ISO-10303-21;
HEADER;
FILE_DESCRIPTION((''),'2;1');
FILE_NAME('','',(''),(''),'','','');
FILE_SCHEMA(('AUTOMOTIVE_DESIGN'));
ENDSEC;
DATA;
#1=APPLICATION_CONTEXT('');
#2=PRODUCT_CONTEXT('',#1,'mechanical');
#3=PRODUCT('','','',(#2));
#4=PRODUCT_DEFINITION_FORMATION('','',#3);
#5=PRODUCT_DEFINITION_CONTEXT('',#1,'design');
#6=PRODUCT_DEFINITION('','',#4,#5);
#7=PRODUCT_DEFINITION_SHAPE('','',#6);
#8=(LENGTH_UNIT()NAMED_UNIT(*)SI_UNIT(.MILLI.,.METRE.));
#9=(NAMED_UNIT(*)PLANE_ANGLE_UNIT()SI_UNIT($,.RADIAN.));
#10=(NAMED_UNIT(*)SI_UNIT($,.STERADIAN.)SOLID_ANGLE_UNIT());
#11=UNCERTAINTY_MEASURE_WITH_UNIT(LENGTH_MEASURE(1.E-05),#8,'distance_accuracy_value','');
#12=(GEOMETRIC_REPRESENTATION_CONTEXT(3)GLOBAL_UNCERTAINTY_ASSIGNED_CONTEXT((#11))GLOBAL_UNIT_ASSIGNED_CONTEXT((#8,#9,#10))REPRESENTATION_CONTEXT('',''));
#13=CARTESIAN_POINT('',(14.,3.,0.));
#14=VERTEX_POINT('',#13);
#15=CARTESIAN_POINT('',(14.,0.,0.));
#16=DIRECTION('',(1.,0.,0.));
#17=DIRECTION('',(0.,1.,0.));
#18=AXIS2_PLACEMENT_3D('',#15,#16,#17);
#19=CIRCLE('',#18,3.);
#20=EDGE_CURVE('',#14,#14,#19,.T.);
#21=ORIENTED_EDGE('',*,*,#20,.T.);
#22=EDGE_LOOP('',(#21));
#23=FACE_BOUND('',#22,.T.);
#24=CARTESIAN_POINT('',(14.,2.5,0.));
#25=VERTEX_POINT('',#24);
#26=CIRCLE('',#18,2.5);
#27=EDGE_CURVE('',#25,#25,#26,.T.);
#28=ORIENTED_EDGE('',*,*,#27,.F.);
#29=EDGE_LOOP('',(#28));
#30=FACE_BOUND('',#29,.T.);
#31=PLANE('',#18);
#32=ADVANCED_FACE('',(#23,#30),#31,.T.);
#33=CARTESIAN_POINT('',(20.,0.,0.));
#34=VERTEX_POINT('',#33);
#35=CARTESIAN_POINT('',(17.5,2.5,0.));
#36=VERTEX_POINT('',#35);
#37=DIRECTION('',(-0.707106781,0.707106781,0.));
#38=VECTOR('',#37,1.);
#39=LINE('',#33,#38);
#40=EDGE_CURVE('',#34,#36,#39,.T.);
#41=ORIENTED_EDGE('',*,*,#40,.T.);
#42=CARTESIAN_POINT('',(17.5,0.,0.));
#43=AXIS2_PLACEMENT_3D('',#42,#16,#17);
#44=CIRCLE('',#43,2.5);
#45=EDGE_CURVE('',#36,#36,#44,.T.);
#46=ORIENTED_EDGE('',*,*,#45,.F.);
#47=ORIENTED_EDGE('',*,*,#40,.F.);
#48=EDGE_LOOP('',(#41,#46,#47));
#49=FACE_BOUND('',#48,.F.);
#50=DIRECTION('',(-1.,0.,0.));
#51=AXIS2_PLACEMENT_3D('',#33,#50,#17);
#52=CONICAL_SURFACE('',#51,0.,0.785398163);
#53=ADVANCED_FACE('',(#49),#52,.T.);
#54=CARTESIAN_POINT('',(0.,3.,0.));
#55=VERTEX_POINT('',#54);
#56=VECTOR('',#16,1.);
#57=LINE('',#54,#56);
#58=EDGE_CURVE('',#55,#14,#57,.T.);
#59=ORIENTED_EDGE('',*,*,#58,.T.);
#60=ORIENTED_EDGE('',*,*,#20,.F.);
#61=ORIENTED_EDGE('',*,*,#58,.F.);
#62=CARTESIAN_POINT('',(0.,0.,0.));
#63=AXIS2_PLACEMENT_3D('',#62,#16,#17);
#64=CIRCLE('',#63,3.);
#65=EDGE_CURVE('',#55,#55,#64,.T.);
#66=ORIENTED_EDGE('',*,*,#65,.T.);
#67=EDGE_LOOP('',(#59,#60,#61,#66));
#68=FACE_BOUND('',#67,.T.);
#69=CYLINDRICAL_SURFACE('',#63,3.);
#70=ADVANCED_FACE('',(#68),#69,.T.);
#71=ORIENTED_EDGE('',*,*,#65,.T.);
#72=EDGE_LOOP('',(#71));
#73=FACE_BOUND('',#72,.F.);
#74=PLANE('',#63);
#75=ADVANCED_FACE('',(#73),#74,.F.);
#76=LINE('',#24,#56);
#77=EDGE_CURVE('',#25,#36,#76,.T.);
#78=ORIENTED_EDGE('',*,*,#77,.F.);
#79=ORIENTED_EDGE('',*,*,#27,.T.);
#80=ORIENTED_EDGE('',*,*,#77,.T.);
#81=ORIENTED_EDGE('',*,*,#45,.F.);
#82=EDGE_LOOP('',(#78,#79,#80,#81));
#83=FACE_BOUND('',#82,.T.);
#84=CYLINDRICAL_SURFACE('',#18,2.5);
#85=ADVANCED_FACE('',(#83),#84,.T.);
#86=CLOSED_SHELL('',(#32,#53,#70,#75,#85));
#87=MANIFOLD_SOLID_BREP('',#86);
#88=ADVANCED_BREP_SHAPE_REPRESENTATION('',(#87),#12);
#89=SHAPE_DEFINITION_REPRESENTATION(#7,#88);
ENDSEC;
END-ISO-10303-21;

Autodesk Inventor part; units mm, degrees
ref_plane "YZ Plane" through (0, 0, 0) normal (1, 0, 0) x (0, 1, 0)
ref_plane "XZ Plane" through (0, 0, 0) normal (0, 1, 0) x (-1, 0, 0)
ref_plane "XY Plane" through (0, 0, 0) normal (0, 0, 1) x (1, 0, 0)
sketch "Skizze1" plane through (0, 0, 0) normal (0, 0, 1) x (1, 0, 0)
  line L0 (0, 4.0696) -> (0, -0.6783) projected
  line L1 (-4.9592, 0) -> (29.7553, 0) projected
  line L2 (0, 0) -> (0, 3)
  line L3 (0, 3) -> (14, 3)
  line L4 (14, 3) -> (14, 2.5)
  line L5 (14, 2.5) -> (20, 2.5)
  line L6 (20, 2.5) -> (20, 0)
  line L7 (20, 0) -> (16.6087, 3.3913)
  line L8 (20, 0) -> (24.7961, 0) construction
  line L9 (0, 0) -> (20, 0)
  point P0 (17.5, 2.5)
  dimension "d0" = 3
  dimension "d1" = 14
  dimension "d4" = 135
revolve "Umdrehung1" add sketch "Skizze1" angle 360 about axis through (0, 0, 0) along (1, 0, 0) contours L3 L4 L5 L7 L1 L0
properties part number "Spitze" material "1.0601 C60"
